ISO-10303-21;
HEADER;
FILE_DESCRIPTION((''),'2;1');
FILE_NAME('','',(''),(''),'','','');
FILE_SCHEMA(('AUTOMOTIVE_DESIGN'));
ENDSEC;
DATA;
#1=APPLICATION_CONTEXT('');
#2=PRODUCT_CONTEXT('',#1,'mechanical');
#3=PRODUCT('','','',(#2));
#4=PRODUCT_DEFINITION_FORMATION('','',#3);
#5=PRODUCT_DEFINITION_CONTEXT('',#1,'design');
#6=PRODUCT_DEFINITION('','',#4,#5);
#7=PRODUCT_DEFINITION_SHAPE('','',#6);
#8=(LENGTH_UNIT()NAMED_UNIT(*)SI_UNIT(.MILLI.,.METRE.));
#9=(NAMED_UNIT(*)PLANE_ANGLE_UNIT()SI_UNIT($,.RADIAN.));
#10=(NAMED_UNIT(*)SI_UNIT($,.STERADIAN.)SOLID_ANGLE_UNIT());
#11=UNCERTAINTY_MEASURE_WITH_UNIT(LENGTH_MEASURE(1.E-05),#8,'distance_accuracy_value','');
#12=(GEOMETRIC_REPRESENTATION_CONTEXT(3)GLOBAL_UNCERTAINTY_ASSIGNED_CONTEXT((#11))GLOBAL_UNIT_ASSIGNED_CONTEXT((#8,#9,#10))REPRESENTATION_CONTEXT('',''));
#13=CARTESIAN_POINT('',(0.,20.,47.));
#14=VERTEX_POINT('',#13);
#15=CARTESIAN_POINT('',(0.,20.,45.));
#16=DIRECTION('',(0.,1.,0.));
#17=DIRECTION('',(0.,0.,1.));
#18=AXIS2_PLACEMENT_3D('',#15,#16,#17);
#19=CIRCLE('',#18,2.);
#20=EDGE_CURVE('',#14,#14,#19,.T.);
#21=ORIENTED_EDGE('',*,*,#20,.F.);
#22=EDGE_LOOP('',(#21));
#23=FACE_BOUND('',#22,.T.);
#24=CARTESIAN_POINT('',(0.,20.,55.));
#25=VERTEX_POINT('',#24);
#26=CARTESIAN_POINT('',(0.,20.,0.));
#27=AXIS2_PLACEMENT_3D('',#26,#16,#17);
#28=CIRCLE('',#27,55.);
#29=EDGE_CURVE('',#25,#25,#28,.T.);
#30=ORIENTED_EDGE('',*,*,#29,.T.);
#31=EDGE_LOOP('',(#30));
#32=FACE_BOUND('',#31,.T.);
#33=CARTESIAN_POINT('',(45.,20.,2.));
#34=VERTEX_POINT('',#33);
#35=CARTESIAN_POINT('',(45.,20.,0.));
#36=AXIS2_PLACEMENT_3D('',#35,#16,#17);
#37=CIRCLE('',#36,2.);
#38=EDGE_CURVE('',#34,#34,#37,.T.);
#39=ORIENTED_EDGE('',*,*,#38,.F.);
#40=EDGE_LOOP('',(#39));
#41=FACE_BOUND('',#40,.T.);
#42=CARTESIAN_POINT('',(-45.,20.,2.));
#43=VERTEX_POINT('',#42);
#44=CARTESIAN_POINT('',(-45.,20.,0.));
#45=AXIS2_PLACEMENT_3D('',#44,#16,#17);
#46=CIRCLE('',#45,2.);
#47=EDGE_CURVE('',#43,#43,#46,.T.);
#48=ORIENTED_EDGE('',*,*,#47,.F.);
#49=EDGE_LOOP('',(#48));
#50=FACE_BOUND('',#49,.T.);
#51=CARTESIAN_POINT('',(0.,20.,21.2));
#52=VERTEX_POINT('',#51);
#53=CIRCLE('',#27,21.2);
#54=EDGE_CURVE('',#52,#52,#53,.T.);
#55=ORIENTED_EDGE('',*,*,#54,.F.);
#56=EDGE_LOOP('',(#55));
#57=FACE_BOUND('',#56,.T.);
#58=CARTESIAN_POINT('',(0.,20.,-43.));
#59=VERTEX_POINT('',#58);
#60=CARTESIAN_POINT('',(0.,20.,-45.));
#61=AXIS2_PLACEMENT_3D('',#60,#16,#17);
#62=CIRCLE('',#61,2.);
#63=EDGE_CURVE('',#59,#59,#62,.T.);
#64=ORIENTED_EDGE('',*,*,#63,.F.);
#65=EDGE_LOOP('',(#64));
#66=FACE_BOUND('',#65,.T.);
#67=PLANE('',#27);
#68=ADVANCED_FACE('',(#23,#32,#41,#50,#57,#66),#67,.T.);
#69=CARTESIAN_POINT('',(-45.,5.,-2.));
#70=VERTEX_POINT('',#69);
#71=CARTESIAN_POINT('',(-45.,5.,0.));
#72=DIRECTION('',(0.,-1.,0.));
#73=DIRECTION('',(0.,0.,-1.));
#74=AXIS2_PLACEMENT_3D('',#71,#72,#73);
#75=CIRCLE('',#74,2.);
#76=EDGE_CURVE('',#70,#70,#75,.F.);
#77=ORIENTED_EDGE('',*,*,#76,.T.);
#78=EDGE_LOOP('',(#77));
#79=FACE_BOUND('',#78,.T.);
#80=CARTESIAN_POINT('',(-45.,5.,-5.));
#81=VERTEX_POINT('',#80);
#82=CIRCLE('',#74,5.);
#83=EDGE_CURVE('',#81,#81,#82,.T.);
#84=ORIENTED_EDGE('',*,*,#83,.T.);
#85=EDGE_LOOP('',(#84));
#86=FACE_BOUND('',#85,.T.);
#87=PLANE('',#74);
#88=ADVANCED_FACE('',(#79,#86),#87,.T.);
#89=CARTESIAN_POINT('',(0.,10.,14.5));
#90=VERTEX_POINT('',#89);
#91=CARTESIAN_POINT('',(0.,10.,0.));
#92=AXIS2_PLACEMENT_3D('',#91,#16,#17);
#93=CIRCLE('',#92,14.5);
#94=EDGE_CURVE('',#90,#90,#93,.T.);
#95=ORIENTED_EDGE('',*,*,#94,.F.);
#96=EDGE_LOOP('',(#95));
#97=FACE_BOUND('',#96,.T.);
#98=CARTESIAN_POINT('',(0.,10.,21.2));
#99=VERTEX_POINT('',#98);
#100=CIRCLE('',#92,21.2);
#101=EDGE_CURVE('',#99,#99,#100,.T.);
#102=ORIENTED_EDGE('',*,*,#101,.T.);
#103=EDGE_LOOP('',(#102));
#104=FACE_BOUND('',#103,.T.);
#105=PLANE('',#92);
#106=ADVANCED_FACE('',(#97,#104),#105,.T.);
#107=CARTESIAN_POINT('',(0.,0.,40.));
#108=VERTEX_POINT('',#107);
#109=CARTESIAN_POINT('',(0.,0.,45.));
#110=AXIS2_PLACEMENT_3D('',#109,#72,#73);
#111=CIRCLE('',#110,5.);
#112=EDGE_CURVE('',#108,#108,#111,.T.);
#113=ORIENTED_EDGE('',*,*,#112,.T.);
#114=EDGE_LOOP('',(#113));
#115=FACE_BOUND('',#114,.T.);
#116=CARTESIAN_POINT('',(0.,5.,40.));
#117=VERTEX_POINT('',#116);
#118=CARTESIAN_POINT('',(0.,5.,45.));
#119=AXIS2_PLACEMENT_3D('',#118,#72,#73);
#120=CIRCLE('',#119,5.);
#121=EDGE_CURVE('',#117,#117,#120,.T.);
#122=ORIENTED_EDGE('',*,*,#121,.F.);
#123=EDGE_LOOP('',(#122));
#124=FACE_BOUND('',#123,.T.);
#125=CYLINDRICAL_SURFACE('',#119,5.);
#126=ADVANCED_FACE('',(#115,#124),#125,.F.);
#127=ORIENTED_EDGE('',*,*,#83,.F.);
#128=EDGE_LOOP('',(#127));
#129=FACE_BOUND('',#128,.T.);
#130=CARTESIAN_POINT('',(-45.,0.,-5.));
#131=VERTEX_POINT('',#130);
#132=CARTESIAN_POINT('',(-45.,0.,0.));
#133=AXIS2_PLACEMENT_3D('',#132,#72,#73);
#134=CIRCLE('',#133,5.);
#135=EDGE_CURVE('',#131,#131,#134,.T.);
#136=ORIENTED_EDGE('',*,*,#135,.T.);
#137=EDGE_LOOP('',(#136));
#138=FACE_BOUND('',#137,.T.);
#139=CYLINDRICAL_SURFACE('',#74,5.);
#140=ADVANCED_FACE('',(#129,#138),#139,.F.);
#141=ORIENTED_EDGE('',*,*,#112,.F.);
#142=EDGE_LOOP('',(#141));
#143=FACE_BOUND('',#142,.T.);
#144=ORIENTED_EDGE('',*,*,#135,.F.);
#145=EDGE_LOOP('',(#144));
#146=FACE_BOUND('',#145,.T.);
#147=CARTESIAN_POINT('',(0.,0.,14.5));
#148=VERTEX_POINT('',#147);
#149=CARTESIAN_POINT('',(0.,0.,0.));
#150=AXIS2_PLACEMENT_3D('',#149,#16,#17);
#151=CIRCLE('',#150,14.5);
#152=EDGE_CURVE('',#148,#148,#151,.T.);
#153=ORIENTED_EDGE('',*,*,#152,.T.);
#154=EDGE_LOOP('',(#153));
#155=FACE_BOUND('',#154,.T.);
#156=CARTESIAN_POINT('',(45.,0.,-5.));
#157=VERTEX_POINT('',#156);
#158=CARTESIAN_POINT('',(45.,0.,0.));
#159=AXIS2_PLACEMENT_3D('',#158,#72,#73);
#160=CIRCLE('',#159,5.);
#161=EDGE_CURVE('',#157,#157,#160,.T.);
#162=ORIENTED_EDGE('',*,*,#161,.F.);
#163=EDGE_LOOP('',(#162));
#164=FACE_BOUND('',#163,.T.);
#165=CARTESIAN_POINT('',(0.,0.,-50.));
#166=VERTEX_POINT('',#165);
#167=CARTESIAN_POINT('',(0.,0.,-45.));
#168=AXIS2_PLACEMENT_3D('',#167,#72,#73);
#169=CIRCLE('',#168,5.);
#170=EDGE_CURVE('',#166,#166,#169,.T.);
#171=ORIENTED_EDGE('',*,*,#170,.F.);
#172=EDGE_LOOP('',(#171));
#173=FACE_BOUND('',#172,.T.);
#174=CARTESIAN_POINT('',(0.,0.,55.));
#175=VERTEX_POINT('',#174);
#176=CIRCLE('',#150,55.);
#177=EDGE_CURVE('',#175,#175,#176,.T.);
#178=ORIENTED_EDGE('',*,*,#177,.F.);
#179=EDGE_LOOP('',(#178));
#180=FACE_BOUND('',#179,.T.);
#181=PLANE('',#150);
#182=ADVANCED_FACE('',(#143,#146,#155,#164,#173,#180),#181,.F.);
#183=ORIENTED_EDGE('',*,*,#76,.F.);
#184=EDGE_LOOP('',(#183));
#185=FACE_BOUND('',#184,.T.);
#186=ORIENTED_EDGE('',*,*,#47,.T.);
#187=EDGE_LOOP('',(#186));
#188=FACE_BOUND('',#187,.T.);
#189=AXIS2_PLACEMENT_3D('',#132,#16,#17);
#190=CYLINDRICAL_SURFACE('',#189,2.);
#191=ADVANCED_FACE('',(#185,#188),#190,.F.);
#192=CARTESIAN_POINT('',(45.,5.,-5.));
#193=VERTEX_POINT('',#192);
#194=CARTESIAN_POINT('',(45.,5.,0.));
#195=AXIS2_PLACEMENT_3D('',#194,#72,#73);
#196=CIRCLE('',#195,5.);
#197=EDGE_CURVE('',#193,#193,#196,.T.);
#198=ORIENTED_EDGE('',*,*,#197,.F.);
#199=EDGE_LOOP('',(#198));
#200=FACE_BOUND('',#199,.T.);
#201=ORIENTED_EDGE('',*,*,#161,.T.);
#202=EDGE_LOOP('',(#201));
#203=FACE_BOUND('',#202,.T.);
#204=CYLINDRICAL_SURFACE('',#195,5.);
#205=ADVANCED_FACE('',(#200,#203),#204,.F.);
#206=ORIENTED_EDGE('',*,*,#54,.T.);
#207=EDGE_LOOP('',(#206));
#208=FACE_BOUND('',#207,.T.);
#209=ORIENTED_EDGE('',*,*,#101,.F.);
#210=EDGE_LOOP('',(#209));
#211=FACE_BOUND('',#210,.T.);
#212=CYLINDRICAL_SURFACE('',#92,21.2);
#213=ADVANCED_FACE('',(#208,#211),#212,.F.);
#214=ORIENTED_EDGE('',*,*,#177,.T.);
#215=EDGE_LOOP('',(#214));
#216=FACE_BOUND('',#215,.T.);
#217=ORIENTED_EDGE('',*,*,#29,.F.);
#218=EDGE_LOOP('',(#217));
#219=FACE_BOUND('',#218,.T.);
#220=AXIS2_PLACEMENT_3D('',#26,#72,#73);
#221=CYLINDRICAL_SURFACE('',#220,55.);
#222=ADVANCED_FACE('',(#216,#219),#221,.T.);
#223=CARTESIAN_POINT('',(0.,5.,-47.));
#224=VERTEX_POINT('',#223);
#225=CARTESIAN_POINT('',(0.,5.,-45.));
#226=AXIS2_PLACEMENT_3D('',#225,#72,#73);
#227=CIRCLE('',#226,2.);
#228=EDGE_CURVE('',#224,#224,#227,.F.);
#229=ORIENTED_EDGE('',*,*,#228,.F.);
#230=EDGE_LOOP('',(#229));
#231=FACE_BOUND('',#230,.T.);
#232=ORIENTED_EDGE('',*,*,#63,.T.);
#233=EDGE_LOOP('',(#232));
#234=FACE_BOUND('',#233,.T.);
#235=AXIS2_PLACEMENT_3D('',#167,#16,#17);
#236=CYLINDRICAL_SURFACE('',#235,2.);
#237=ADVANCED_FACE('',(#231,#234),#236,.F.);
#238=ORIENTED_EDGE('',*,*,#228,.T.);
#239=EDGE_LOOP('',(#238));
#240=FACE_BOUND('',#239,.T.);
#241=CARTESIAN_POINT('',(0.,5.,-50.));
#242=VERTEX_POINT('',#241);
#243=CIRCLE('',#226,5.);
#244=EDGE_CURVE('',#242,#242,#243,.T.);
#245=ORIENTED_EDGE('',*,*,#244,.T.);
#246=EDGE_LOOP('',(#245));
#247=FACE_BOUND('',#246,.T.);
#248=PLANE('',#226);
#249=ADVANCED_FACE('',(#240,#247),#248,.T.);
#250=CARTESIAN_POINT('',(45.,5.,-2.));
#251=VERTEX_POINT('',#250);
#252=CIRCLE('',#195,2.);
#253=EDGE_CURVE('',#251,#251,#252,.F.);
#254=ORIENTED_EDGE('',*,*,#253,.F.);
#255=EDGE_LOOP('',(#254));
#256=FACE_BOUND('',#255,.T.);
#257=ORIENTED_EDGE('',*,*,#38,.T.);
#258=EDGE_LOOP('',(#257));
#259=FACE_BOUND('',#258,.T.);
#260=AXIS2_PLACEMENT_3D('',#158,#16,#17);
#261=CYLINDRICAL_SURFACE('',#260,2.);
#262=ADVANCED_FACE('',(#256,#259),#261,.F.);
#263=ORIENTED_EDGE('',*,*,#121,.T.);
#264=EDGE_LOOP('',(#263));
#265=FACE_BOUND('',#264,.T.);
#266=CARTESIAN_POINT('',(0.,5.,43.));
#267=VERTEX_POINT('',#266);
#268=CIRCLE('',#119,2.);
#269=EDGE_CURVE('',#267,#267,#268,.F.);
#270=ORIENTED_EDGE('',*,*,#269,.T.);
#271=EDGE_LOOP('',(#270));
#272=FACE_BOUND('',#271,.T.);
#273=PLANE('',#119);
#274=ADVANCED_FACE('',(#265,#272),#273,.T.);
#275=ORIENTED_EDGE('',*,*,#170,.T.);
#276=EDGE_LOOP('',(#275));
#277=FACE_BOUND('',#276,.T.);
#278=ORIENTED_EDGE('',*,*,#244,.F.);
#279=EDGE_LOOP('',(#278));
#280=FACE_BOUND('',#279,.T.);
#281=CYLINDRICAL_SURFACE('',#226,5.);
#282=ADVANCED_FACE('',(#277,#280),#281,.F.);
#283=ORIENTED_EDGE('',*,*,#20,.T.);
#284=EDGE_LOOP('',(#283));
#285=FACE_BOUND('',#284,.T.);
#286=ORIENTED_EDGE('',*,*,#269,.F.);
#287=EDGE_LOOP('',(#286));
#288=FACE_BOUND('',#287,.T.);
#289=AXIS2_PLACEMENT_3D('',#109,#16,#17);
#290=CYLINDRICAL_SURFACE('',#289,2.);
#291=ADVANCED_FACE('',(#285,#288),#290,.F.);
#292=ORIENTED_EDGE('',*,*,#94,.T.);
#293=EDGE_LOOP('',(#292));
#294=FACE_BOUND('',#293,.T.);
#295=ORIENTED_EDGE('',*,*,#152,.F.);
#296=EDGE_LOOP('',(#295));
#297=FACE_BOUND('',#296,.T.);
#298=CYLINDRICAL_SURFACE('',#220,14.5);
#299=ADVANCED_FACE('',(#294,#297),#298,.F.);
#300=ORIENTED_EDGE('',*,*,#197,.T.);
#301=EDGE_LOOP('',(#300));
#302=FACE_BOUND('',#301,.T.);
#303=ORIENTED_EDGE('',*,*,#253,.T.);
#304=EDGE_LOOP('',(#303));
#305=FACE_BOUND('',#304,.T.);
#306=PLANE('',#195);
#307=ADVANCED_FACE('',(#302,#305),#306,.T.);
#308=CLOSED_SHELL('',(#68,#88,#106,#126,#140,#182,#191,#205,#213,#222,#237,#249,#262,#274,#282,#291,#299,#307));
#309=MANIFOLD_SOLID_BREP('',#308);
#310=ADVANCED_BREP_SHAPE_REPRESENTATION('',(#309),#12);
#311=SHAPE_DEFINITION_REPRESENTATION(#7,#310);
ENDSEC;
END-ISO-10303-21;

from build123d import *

# Parameters (mm, degrees)
SKETCH1_R           = 55
SKETCH1_R_2         = 14.5
BOSS_EXTRUDE1_DEPTH = 20
SKETCH2_R           = 21.2
CUT_EXTRUDE1_DEPTH  = 10
SKETCH4_R           = 2
CUT_EXTRUDE2_DEPTH  = 20
SKETCH6_R           = 5
CUT_EXTRUDE3_DEPTH  = 5


with BuildPart() as part:
    # Sketch1 → Boss-Extrude1 (new body)
    with BuildSketch(Plane(origin=(0, 0, 0), x_dir=(1, 0, 0), z_dir=(0, 1, 0))):
        Circle(SKETCH1_R)
        Circle(SKETCH1_R_2, mode=Mode.SUBTRACT)
    extrude(amount=BOSS_EXTRUDE1_DEPTH)

    # Sketch2 → Cut-Extrude1 (cut)
    with BuildSketch(Plane(origin=(0, 20, 0), x_dir=(1, 0, 0), z_dir=(0, 1, 0))):
        Circle(SKETCH2_R)
    extrude(amount=-CUT_EXTRUDE1_DEPTH, mode=Mode.SUBTRACT)

    # Sketch4 → Cut-Extrude2 (cut)
    with BuildSketch(Plane(origin=(0, 20, 0), x_dir=(1, 0, 0), z_dir=(0, 1, 0))):
        with Locations((0, 45)):
            Circle(SKETCH4_R)
        with Locations((45, 0)):
            Circle(SKETCH4_R)
        with Locations((0, -45)):
            Circle(SKETCH4_R)
        with Locations((-45, 0)):
            Circle(SKETCH4_R)
    extrude(amount=-CUT_EXTRUDE2_DEPTH, mode=Mode.SUBTRACT)

    # Sketch6 → Cut-Extrude3 (cut)
    with BuildSketch(Plane.XZ):
        with Locations((0, 45)):
            Circle(SKETCH6_R)
        with Locations((45, 0)):
            Circle(SKETCH6_R)
        with Locations((0, -45)):
            Circle(SKETCH6_R)
        with Locations((-45, 0)):
            Circle(SKETCH6_R)
    extrude(amount=-CUT_EXTRUDE3_DEPTH, mode=Mode.SUBTRACT)


solid = part.part
